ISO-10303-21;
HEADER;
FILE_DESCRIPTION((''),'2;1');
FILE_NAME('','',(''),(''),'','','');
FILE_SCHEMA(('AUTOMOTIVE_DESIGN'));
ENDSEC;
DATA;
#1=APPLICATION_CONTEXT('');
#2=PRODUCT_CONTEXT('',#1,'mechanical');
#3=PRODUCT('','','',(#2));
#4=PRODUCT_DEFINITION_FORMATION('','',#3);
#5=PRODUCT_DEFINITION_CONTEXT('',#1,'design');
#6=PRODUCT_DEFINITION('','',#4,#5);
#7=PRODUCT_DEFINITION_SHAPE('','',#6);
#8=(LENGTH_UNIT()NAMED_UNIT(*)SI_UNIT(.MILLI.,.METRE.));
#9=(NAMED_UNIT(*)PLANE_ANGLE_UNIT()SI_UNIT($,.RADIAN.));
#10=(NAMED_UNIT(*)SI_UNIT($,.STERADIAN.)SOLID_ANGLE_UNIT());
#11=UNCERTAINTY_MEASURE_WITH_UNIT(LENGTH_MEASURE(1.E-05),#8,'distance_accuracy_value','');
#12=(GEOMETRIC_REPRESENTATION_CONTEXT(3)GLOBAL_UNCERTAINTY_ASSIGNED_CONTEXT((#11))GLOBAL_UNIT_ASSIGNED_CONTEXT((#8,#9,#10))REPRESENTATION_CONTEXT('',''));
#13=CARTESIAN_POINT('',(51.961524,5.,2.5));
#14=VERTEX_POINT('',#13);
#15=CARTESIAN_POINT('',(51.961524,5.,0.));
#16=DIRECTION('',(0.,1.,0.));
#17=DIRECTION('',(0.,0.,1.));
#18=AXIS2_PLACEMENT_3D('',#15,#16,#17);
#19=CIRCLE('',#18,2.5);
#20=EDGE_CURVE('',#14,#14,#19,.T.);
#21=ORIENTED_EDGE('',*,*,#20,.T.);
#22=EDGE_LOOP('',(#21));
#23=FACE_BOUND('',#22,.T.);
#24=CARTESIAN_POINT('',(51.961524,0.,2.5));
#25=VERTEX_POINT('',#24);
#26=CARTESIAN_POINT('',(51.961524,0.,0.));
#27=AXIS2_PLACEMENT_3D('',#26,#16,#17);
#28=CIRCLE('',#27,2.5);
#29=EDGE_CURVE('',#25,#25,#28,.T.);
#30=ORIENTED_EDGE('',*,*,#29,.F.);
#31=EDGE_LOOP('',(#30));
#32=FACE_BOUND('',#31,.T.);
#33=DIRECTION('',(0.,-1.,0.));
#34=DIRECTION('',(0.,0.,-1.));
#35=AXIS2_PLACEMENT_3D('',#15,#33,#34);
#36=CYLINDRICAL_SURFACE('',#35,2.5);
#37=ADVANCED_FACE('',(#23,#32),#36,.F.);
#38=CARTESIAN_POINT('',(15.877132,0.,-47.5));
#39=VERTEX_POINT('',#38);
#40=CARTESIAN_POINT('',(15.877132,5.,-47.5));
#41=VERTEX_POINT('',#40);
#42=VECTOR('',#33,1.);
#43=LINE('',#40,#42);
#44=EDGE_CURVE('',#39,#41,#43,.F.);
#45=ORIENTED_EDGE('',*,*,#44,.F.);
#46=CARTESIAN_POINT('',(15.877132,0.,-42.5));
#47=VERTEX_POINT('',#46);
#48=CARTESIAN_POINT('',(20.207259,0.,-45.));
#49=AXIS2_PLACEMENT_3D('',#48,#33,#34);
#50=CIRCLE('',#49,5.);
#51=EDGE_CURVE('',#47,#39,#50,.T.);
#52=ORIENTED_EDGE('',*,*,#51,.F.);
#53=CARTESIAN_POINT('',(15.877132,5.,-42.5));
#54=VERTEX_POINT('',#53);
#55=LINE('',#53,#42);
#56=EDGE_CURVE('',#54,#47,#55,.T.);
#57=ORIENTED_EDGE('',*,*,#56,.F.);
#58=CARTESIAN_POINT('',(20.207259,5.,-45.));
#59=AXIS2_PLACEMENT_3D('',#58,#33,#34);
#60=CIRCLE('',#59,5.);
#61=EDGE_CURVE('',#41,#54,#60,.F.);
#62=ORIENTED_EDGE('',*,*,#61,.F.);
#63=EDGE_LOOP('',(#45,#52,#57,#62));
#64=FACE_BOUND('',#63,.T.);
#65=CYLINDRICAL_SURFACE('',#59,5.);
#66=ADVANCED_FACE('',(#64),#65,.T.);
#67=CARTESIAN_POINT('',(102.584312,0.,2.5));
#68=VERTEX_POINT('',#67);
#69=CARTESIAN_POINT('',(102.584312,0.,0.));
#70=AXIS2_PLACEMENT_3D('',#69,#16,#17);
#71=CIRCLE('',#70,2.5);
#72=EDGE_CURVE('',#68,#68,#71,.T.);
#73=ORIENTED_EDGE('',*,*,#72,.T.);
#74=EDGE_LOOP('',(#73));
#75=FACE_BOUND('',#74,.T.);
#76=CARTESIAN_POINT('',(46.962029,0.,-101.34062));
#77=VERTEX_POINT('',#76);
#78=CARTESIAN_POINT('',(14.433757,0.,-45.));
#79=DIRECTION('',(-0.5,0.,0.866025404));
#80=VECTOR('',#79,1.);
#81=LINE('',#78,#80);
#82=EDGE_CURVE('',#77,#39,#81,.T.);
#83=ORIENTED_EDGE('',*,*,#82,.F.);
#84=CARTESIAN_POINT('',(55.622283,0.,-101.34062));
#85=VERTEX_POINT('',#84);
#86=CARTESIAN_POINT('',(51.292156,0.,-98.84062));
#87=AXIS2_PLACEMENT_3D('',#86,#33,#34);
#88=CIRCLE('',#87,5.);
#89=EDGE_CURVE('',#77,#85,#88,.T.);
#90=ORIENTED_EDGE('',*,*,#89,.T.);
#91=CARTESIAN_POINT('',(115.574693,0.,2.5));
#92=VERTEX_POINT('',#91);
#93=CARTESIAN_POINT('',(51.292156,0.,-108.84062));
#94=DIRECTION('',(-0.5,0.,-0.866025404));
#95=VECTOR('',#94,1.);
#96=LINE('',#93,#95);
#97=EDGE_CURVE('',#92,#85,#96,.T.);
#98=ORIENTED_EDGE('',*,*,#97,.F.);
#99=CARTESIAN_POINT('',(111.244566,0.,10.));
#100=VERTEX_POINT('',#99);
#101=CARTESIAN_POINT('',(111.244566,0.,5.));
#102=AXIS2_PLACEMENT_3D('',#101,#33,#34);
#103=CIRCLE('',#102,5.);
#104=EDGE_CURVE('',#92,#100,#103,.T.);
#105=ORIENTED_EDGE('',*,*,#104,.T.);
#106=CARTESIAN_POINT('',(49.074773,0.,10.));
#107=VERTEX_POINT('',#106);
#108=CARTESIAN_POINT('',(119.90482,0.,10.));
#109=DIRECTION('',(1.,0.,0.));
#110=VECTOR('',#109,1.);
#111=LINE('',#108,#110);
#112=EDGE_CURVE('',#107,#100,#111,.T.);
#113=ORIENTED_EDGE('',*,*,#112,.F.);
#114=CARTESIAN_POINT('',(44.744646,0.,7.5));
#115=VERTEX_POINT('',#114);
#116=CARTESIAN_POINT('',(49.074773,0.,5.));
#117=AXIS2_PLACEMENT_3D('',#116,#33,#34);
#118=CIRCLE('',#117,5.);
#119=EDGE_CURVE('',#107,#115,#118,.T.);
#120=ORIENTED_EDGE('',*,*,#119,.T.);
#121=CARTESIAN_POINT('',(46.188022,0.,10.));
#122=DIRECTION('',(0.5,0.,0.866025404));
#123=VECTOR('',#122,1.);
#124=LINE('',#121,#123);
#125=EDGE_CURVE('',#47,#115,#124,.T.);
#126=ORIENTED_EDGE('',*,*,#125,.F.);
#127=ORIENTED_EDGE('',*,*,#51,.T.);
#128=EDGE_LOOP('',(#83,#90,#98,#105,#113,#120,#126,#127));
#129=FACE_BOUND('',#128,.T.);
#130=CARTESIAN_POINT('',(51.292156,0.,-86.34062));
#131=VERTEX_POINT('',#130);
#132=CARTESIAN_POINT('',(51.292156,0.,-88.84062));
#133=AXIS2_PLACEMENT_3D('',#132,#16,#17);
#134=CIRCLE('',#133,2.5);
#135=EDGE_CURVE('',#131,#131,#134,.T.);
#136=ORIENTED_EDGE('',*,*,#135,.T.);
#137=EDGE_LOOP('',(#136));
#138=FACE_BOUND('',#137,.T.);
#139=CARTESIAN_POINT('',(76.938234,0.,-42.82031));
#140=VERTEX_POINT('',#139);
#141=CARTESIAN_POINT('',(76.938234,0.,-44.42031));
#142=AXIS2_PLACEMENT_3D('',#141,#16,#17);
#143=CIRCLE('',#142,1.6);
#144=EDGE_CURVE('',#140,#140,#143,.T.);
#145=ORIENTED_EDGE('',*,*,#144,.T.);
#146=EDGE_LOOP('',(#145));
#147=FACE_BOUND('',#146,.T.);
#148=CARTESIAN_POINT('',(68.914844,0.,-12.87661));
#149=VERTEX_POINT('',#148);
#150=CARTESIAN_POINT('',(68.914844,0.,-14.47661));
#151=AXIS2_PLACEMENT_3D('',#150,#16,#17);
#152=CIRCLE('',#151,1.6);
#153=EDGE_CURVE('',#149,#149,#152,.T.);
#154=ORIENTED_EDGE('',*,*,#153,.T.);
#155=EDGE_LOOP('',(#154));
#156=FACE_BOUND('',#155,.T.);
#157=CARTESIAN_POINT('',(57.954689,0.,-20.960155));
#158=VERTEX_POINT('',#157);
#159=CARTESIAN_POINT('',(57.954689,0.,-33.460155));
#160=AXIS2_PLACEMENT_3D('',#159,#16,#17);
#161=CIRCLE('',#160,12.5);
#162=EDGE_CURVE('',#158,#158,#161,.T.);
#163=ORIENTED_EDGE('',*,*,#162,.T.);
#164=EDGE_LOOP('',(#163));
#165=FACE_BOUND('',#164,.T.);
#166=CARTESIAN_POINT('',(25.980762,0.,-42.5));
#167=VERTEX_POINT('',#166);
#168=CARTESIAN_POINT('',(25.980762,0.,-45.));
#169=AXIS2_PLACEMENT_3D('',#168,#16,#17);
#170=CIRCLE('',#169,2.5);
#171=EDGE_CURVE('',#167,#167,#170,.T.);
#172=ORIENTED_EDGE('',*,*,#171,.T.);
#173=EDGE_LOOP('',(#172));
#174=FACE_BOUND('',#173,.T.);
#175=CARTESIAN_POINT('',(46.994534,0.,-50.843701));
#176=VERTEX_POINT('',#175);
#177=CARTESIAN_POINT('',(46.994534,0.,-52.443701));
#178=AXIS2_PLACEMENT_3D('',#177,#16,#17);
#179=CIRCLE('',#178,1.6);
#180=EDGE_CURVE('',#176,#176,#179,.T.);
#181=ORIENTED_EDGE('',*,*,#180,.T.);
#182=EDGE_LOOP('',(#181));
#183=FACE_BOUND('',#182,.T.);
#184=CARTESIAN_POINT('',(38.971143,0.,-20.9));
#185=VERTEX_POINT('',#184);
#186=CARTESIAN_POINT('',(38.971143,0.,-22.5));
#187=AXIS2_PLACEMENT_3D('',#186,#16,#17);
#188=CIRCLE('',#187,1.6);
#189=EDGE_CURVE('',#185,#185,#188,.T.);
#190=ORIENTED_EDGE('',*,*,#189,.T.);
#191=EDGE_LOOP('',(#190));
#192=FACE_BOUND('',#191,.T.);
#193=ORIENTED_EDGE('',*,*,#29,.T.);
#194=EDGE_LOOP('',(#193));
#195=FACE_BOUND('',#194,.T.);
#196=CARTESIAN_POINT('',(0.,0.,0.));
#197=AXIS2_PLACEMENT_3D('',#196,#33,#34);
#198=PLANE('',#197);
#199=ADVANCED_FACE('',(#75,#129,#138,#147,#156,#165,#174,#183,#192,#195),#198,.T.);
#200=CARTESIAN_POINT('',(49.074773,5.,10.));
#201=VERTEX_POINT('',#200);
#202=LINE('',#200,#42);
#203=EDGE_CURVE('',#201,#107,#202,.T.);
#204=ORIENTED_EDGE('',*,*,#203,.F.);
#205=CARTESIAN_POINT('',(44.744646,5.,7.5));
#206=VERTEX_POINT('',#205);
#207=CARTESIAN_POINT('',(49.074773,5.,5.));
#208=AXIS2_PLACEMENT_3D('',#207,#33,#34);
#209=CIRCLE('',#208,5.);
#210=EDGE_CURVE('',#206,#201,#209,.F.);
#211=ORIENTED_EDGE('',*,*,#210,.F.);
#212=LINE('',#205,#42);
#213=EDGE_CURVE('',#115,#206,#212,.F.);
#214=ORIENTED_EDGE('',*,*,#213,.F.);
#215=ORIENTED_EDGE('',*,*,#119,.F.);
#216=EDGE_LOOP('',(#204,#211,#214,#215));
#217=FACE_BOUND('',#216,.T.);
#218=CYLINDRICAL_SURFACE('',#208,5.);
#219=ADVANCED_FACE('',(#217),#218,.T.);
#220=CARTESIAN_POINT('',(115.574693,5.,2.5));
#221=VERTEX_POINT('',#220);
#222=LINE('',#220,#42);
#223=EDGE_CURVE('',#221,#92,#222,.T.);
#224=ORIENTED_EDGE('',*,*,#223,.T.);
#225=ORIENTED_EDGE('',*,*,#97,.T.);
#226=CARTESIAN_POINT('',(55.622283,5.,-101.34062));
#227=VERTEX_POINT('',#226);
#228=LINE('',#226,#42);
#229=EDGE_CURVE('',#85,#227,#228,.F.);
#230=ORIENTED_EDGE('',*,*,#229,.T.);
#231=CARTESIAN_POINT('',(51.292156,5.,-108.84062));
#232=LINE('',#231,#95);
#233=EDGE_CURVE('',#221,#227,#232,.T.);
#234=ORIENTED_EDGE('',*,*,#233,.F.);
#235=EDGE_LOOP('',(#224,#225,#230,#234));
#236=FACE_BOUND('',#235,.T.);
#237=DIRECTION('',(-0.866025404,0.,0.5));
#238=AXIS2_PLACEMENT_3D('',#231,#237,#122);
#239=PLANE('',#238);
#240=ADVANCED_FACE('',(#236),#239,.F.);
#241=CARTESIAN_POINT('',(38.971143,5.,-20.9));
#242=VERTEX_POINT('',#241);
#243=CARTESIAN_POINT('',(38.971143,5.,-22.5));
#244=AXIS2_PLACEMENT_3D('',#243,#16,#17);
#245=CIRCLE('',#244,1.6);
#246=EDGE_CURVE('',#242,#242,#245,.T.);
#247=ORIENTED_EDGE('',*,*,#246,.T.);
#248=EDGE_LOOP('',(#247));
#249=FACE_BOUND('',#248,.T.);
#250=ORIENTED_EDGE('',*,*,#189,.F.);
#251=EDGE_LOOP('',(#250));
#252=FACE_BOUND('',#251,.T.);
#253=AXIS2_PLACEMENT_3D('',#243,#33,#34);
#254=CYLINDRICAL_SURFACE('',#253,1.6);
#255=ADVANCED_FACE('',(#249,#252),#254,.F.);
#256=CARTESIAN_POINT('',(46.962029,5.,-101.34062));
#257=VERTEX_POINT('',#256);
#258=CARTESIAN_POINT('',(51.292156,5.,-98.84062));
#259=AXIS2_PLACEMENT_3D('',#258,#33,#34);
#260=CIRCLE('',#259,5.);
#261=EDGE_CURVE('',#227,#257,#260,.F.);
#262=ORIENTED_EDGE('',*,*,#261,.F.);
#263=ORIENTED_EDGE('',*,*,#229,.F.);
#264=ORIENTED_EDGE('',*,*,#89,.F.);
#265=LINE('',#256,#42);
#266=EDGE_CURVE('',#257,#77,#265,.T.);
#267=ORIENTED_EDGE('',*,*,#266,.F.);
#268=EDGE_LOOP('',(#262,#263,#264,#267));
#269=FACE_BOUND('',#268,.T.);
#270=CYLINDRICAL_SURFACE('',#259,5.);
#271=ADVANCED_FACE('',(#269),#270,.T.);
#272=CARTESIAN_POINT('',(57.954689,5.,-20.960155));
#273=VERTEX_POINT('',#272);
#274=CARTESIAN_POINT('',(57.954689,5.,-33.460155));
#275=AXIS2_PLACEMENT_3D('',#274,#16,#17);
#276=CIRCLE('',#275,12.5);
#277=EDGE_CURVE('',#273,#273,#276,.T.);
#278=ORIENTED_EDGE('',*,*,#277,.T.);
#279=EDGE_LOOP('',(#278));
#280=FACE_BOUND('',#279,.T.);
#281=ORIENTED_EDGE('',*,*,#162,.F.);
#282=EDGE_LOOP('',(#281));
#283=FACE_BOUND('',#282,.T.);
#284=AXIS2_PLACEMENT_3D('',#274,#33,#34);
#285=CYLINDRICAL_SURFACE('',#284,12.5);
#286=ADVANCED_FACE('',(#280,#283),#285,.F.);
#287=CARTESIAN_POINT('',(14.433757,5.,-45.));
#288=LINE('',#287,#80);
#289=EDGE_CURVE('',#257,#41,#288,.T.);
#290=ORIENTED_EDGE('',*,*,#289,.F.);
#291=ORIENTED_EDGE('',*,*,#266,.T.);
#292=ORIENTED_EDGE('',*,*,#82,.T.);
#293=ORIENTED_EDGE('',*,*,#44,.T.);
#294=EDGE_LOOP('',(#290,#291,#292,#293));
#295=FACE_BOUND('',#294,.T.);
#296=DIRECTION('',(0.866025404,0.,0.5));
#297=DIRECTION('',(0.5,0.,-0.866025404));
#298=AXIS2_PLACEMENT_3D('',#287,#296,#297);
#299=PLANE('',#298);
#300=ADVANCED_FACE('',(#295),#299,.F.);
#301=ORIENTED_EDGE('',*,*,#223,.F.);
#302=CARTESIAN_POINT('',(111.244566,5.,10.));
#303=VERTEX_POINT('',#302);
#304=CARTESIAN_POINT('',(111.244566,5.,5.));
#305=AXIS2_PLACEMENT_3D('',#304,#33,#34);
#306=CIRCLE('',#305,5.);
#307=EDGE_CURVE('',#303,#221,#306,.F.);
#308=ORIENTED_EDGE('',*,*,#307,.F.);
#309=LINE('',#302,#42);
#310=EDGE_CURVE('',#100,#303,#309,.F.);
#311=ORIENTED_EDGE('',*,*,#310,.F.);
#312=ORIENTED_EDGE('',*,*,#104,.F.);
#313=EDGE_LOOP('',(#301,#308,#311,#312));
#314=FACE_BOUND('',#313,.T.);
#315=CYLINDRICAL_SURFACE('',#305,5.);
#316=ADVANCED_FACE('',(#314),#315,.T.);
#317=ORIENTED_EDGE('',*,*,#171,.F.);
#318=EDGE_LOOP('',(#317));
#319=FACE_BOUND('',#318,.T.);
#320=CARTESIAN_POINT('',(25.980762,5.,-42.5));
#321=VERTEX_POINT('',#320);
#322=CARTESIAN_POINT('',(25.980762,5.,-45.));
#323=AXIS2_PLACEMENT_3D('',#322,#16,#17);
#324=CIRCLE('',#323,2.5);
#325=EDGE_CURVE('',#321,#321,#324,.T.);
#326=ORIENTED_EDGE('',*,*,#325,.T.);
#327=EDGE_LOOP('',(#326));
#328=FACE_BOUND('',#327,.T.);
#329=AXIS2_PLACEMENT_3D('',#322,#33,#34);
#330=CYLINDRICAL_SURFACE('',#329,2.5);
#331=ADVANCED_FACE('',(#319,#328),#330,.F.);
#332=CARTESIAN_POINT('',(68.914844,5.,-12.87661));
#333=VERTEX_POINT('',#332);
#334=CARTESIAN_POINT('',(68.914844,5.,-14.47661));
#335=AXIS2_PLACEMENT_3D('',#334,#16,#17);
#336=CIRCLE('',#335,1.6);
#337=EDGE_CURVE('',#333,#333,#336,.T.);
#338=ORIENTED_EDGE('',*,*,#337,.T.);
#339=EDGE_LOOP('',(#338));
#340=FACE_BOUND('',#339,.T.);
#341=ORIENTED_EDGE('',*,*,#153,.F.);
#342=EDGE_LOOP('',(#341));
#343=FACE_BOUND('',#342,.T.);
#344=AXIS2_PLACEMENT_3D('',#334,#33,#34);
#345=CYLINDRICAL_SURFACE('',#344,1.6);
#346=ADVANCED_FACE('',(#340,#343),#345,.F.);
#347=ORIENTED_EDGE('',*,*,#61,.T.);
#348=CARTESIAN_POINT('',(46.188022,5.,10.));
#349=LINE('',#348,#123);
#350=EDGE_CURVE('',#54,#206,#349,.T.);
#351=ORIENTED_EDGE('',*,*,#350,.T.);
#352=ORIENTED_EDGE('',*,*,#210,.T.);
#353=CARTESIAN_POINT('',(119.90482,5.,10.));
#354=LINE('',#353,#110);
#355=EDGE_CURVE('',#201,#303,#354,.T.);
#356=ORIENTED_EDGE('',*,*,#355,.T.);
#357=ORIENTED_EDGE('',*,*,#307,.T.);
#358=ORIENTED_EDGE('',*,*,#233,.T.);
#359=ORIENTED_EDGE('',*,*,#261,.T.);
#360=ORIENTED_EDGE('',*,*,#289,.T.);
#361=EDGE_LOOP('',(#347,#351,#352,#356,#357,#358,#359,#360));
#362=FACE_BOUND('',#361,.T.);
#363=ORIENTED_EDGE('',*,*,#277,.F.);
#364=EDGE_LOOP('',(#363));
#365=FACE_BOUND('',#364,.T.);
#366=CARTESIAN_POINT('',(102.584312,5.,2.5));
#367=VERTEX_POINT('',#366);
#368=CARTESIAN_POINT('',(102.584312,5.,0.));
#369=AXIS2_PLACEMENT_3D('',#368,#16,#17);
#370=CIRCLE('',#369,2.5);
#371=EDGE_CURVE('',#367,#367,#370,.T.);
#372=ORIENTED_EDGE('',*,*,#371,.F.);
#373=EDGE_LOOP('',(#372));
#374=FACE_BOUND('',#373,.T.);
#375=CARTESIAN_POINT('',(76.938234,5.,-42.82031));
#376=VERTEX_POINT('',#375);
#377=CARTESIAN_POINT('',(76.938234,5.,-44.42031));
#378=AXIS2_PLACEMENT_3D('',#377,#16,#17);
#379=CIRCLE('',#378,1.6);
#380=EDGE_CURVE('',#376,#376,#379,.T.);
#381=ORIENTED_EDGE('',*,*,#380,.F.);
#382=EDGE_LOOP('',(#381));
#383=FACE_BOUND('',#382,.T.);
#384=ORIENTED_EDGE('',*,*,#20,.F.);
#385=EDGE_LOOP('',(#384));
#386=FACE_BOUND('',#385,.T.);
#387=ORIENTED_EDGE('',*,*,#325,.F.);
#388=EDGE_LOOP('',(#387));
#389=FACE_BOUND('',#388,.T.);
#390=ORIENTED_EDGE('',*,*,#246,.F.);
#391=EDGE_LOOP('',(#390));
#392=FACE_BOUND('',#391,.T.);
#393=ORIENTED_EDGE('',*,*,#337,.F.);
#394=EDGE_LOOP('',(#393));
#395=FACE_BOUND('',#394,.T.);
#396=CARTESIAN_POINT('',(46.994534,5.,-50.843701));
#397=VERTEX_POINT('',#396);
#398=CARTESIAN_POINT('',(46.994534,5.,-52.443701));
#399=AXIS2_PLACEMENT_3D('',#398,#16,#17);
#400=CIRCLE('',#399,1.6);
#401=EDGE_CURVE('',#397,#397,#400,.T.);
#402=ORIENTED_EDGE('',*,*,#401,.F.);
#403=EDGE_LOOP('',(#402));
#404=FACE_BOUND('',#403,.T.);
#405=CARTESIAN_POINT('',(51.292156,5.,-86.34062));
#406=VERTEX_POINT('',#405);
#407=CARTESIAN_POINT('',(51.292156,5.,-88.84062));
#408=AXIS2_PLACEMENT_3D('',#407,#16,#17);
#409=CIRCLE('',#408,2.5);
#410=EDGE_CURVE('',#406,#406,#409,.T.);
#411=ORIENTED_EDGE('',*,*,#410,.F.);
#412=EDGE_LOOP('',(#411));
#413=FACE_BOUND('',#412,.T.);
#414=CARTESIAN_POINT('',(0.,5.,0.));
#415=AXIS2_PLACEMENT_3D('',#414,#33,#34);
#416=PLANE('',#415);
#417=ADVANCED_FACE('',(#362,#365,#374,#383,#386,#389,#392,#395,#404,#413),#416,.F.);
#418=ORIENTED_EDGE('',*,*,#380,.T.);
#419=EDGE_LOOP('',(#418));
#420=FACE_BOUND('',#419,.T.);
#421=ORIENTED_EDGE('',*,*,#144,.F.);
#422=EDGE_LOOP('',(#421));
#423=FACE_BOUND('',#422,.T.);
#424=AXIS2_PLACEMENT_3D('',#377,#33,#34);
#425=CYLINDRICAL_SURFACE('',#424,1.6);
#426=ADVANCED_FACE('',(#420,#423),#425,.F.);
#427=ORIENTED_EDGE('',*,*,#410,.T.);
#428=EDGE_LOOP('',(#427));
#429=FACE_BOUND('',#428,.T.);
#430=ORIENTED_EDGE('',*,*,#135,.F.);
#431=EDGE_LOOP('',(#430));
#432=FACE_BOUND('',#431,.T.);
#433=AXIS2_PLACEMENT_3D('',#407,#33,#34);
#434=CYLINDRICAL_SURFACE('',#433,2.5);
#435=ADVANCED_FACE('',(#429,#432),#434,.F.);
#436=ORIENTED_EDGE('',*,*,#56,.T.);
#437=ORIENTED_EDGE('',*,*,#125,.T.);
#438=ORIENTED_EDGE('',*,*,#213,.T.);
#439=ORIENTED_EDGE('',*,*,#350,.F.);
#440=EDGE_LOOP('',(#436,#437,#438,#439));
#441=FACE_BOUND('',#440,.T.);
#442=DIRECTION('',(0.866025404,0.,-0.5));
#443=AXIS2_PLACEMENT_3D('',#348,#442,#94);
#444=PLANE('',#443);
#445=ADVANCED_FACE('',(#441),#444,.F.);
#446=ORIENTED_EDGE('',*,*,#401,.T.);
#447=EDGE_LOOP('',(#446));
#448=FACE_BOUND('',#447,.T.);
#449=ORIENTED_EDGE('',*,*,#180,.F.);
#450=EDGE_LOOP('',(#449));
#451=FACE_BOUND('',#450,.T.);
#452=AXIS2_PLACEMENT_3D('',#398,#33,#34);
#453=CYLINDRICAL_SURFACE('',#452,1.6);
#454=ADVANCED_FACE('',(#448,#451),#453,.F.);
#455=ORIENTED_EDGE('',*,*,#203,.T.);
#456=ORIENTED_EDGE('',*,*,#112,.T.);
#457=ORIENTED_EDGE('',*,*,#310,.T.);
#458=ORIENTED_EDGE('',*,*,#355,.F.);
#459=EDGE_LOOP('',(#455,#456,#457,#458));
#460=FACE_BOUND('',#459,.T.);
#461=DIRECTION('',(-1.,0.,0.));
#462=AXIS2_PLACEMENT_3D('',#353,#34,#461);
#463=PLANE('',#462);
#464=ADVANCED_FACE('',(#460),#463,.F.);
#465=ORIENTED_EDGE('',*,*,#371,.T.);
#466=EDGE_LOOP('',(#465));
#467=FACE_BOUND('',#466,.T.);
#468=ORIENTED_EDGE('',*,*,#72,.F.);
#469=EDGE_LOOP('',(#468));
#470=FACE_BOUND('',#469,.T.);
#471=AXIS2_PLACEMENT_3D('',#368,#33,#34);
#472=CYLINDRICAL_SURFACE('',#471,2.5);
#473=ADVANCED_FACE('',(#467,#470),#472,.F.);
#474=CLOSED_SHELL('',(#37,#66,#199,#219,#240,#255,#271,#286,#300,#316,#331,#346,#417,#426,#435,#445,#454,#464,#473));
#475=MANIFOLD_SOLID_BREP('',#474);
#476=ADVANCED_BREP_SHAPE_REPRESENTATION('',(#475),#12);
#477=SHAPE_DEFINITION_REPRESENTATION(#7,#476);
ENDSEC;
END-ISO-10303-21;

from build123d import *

# Parameters (mm, degrees)
CROQUIS1_R              = 2.5
CROQUIS1_R_2            = 1.6
CROQUIS1_R_3            = 12.5
SALIENTE_EXTRUIR1_DEPTH = 5
REDONDEO1_R             = 5


with BuildPart() as part:
    # Croquis1 → Saliente-Extruir1 (new body)
    with BuildSketch(Plane(origin=(0, 0, 0), x_dir=(1, 0, 0), z_dir=(0, 1, 0))):
        Polygon((51.292156122, 108.840620434), (119.90482032, -10), (46.188021535, -10), (14.43375673, 45), align=None)
        with Locations(Location((51.292156122, 88.840620434, 0), (0, 0, 270))):
            Circle(CROQUIS1_R, mode=Mode.SUBTRACT)
        with Locations(Location((102.584312245, 0, 0), (0, 0, 270))):
            Circle(CROQUIS1_R, mode=Mode.SUBTRACT)
        with Locations(Location((51.961524227, 0, 0), (0, 0, 270))):
            Circle(CROQUIS1_R, mode=Mode.SUBTRACT)
        with Locations(Location((25.980762114, 45, 0), (0, 0, 270))):
            Circle(CROQUIS1_R, mode=Mode.SUBTRACT)
        with Locations(Location((38.97114317, 22.5, 0), (0, 0, 270))):
            Circle(CROQUIS1_R_2, mode=Mode.SUBTRACT)
        with Locations(Location((46.994533568, 52.443700615, 0), (0, 0, 270))):
            Circle(CROQUIS1_R_2, mode=Mode.SUBTRACT)
        with Locations(Location((76.938234183, 44.420310217, 0), (0, 0, 270))):
            Circle(CROQUIS1_R_2, mode=Mode.SUBTRACT)
        with Locations(Location((68.914843785, 14.476609602, 0), (0, 0, 270))):
            Circle(CROQUIS1_R_2, mode=Mode.SUBTRACT)
        with Locations(Location((57.954688677, 33.460155108, 0), (0, 0, 270))):
            Circle(CROQUIS1_R_3, mode=Mode.SUBTRACT)
    extrude(amount=SALIENTE_EXTRUIR1_DEPTH)

    # Redondeo1
    redondeo1_edges = [part.edges().sort_by_distance(p)[0] for p in [
        (51.292156122, 2.5, -108.840620434),
        (119.90482032, 2.5, 10),
        (46.188021535, 2.5, 10),
        (14.43375673, 2.5, -45),
    ]]
    fillet(redondeo1_edges, radius=REDONDEO1_R)


solid = part.part
